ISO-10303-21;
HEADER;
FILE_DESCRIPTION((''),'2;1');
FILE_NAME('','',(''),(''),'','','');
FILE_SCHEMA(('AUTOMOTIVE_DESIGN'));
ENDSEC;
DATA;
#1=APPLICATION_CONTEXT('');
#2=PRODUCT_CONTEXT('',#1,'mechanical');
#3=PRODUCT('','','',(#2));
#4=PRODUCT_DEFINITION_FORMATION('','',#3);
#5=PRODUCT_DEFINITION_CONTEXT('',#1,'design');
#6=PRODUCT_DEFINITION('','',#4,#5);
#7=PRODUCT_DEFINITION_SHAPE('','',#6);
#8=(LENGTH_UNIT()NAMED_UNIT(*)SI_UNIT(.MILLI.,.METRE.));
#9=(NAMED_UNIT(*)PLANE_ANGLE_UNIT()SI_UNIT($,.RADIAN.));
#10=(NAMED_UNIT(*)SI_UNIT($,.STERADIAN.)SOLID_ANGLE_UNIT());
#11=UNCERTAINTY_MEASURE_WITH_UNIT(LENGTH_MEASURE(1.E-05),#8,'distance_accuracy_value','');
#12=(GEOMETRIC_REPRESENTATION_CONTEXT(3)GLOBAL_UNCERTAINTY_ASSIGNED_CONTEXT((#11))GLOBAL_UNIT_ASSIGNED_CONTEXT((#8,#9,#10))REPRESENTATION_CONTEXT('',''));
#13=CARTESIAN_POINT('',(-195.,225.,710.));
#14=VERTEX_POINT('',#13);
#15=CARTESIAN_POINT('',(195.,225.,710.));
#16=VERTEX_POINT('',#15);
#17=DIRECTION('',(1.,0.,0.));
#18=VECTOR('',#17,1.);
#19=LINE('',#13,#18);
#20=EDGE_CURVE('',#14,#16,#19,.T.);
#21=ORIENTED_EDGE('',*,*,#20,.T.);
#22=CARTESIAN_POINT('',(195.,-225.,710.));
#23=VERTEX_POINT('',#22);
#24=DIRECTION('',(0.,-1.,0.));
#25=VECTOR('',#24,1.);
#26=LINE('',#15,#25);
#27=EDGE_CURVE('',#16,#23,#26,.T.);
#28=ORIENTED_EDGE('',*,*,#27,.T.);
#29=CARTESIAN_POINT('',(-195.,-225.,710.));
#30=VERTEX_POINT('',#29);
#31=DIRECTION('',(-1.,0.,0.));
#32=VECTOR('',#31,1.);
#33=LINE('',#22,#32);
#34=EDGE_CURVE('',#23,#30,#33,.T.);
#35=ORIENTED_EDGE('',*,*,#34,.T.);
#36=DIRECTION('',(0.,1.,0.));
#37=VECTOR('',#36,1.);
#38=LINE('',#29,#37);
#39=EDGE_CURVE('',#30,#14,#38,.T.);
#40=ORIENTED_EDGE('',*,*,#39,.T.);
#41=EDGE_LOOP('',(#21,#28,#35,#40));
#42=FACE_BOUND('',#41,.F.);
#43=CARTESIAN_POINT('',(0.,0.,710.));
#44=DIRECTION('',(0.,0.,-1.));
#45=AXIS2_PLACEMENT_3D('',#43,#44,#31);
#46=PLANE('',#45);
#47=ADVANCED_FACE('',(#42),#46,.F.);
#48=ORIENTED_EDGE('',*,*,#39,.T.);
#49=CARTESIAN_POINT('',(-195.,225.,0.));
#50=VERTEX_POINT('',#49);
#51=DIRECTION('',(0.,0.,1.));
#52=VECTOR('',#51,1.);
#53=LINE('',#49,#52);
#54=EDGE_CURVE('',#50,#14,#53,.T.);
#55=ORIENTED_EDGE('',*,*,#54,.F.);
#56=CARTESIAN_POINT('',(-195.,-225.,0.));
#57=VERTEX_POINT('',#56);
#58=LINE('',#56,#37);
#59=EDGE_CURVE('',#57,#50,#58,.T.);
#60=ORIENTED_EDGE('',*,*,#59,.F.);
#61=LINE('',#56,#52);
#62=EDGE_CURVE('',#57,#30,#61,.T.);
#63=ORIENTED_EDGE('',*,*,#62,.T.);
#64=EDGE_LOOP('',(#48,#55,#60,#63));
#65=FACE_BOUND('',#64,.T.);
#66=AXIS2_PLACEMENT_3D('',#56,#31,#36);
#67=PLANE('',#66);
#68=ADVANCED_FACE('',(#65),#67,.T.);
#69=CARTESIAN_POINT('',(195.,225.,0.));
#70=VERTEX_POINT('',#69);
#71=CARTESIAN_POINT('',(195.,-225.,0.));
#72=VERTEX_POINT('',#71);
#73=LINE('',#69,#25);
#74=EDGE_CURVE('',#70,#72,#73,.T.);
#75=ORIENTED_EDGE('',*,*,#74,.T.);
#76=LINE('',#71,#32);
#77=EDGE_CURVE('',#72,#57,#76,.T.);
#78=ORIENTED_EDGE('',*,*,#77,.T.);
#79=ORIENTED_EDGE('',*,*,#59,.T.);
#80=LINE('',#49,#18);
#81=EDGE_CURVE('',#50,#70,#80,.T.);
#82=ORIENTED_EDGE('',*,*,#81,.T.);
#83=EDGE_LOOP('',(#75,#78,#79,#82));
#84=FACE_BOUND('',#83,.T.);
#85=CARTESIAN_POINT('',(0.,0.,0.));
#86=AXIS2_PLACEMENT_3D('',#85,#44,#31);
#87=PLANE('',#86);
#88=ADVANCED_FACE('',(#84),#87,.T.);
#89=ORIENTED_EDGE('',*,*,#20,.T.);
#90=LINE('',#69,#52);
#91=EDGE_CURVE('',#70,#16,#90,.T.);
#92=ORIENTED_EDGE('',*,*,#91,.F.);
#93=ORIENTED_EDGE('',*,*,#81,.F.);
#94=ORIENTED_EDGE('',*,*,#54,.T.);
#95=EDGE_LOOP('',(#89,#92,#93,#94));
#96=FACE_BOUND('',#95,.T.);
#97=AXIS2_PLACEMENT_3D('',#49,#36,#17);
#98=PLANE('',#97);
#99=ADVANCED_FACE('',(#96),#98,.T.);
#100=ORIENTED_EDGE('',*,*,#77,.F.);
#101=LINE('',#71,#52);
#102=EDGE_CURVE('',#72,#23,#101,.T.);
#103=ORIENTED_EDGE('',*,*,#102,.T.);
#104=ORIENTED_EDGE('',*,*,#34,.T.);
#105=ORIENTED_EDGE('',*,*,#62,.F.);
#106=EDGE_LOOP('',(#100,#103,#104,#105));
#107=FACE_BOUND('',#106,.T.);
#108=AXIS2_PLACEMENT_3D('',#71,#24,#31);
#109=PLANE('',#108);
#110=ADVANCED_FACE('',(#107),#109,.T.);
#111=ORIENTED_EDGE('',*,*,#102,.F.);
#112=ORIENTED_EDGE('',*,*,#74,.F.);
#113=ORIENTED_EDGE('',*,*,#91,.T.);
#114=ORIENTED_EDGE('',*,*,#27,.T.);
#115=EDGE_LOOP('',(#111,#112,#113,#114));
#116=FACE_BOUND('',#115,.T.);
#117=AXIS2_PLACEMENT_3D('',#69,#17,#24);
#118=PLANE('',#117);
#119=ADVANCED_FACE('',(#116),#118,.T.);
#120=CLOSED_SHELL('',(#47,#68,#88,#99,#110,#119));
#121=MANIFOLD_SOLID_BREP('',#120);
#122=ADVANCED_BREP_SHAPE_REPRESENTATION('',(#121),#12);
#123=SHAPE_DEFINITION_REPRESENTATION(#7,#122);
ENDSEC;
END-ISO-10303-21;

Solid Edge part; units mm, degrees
sketch "Sketch1" plane through (0, 0, 0) normal (0, 0, -1) x (-1, 0, 0)
  line L0 (-195, -225) -> (195, -225)
  line L1 (195, -225) -> (195, 225)
  line L2 (195, 225) -> (-195, 225)
  line L3 (-195, 225) -> (-195, -225)
extrude "Protrusion1" add sketch "Sketch1" against normal blind 710
properties material "myMaterial"
